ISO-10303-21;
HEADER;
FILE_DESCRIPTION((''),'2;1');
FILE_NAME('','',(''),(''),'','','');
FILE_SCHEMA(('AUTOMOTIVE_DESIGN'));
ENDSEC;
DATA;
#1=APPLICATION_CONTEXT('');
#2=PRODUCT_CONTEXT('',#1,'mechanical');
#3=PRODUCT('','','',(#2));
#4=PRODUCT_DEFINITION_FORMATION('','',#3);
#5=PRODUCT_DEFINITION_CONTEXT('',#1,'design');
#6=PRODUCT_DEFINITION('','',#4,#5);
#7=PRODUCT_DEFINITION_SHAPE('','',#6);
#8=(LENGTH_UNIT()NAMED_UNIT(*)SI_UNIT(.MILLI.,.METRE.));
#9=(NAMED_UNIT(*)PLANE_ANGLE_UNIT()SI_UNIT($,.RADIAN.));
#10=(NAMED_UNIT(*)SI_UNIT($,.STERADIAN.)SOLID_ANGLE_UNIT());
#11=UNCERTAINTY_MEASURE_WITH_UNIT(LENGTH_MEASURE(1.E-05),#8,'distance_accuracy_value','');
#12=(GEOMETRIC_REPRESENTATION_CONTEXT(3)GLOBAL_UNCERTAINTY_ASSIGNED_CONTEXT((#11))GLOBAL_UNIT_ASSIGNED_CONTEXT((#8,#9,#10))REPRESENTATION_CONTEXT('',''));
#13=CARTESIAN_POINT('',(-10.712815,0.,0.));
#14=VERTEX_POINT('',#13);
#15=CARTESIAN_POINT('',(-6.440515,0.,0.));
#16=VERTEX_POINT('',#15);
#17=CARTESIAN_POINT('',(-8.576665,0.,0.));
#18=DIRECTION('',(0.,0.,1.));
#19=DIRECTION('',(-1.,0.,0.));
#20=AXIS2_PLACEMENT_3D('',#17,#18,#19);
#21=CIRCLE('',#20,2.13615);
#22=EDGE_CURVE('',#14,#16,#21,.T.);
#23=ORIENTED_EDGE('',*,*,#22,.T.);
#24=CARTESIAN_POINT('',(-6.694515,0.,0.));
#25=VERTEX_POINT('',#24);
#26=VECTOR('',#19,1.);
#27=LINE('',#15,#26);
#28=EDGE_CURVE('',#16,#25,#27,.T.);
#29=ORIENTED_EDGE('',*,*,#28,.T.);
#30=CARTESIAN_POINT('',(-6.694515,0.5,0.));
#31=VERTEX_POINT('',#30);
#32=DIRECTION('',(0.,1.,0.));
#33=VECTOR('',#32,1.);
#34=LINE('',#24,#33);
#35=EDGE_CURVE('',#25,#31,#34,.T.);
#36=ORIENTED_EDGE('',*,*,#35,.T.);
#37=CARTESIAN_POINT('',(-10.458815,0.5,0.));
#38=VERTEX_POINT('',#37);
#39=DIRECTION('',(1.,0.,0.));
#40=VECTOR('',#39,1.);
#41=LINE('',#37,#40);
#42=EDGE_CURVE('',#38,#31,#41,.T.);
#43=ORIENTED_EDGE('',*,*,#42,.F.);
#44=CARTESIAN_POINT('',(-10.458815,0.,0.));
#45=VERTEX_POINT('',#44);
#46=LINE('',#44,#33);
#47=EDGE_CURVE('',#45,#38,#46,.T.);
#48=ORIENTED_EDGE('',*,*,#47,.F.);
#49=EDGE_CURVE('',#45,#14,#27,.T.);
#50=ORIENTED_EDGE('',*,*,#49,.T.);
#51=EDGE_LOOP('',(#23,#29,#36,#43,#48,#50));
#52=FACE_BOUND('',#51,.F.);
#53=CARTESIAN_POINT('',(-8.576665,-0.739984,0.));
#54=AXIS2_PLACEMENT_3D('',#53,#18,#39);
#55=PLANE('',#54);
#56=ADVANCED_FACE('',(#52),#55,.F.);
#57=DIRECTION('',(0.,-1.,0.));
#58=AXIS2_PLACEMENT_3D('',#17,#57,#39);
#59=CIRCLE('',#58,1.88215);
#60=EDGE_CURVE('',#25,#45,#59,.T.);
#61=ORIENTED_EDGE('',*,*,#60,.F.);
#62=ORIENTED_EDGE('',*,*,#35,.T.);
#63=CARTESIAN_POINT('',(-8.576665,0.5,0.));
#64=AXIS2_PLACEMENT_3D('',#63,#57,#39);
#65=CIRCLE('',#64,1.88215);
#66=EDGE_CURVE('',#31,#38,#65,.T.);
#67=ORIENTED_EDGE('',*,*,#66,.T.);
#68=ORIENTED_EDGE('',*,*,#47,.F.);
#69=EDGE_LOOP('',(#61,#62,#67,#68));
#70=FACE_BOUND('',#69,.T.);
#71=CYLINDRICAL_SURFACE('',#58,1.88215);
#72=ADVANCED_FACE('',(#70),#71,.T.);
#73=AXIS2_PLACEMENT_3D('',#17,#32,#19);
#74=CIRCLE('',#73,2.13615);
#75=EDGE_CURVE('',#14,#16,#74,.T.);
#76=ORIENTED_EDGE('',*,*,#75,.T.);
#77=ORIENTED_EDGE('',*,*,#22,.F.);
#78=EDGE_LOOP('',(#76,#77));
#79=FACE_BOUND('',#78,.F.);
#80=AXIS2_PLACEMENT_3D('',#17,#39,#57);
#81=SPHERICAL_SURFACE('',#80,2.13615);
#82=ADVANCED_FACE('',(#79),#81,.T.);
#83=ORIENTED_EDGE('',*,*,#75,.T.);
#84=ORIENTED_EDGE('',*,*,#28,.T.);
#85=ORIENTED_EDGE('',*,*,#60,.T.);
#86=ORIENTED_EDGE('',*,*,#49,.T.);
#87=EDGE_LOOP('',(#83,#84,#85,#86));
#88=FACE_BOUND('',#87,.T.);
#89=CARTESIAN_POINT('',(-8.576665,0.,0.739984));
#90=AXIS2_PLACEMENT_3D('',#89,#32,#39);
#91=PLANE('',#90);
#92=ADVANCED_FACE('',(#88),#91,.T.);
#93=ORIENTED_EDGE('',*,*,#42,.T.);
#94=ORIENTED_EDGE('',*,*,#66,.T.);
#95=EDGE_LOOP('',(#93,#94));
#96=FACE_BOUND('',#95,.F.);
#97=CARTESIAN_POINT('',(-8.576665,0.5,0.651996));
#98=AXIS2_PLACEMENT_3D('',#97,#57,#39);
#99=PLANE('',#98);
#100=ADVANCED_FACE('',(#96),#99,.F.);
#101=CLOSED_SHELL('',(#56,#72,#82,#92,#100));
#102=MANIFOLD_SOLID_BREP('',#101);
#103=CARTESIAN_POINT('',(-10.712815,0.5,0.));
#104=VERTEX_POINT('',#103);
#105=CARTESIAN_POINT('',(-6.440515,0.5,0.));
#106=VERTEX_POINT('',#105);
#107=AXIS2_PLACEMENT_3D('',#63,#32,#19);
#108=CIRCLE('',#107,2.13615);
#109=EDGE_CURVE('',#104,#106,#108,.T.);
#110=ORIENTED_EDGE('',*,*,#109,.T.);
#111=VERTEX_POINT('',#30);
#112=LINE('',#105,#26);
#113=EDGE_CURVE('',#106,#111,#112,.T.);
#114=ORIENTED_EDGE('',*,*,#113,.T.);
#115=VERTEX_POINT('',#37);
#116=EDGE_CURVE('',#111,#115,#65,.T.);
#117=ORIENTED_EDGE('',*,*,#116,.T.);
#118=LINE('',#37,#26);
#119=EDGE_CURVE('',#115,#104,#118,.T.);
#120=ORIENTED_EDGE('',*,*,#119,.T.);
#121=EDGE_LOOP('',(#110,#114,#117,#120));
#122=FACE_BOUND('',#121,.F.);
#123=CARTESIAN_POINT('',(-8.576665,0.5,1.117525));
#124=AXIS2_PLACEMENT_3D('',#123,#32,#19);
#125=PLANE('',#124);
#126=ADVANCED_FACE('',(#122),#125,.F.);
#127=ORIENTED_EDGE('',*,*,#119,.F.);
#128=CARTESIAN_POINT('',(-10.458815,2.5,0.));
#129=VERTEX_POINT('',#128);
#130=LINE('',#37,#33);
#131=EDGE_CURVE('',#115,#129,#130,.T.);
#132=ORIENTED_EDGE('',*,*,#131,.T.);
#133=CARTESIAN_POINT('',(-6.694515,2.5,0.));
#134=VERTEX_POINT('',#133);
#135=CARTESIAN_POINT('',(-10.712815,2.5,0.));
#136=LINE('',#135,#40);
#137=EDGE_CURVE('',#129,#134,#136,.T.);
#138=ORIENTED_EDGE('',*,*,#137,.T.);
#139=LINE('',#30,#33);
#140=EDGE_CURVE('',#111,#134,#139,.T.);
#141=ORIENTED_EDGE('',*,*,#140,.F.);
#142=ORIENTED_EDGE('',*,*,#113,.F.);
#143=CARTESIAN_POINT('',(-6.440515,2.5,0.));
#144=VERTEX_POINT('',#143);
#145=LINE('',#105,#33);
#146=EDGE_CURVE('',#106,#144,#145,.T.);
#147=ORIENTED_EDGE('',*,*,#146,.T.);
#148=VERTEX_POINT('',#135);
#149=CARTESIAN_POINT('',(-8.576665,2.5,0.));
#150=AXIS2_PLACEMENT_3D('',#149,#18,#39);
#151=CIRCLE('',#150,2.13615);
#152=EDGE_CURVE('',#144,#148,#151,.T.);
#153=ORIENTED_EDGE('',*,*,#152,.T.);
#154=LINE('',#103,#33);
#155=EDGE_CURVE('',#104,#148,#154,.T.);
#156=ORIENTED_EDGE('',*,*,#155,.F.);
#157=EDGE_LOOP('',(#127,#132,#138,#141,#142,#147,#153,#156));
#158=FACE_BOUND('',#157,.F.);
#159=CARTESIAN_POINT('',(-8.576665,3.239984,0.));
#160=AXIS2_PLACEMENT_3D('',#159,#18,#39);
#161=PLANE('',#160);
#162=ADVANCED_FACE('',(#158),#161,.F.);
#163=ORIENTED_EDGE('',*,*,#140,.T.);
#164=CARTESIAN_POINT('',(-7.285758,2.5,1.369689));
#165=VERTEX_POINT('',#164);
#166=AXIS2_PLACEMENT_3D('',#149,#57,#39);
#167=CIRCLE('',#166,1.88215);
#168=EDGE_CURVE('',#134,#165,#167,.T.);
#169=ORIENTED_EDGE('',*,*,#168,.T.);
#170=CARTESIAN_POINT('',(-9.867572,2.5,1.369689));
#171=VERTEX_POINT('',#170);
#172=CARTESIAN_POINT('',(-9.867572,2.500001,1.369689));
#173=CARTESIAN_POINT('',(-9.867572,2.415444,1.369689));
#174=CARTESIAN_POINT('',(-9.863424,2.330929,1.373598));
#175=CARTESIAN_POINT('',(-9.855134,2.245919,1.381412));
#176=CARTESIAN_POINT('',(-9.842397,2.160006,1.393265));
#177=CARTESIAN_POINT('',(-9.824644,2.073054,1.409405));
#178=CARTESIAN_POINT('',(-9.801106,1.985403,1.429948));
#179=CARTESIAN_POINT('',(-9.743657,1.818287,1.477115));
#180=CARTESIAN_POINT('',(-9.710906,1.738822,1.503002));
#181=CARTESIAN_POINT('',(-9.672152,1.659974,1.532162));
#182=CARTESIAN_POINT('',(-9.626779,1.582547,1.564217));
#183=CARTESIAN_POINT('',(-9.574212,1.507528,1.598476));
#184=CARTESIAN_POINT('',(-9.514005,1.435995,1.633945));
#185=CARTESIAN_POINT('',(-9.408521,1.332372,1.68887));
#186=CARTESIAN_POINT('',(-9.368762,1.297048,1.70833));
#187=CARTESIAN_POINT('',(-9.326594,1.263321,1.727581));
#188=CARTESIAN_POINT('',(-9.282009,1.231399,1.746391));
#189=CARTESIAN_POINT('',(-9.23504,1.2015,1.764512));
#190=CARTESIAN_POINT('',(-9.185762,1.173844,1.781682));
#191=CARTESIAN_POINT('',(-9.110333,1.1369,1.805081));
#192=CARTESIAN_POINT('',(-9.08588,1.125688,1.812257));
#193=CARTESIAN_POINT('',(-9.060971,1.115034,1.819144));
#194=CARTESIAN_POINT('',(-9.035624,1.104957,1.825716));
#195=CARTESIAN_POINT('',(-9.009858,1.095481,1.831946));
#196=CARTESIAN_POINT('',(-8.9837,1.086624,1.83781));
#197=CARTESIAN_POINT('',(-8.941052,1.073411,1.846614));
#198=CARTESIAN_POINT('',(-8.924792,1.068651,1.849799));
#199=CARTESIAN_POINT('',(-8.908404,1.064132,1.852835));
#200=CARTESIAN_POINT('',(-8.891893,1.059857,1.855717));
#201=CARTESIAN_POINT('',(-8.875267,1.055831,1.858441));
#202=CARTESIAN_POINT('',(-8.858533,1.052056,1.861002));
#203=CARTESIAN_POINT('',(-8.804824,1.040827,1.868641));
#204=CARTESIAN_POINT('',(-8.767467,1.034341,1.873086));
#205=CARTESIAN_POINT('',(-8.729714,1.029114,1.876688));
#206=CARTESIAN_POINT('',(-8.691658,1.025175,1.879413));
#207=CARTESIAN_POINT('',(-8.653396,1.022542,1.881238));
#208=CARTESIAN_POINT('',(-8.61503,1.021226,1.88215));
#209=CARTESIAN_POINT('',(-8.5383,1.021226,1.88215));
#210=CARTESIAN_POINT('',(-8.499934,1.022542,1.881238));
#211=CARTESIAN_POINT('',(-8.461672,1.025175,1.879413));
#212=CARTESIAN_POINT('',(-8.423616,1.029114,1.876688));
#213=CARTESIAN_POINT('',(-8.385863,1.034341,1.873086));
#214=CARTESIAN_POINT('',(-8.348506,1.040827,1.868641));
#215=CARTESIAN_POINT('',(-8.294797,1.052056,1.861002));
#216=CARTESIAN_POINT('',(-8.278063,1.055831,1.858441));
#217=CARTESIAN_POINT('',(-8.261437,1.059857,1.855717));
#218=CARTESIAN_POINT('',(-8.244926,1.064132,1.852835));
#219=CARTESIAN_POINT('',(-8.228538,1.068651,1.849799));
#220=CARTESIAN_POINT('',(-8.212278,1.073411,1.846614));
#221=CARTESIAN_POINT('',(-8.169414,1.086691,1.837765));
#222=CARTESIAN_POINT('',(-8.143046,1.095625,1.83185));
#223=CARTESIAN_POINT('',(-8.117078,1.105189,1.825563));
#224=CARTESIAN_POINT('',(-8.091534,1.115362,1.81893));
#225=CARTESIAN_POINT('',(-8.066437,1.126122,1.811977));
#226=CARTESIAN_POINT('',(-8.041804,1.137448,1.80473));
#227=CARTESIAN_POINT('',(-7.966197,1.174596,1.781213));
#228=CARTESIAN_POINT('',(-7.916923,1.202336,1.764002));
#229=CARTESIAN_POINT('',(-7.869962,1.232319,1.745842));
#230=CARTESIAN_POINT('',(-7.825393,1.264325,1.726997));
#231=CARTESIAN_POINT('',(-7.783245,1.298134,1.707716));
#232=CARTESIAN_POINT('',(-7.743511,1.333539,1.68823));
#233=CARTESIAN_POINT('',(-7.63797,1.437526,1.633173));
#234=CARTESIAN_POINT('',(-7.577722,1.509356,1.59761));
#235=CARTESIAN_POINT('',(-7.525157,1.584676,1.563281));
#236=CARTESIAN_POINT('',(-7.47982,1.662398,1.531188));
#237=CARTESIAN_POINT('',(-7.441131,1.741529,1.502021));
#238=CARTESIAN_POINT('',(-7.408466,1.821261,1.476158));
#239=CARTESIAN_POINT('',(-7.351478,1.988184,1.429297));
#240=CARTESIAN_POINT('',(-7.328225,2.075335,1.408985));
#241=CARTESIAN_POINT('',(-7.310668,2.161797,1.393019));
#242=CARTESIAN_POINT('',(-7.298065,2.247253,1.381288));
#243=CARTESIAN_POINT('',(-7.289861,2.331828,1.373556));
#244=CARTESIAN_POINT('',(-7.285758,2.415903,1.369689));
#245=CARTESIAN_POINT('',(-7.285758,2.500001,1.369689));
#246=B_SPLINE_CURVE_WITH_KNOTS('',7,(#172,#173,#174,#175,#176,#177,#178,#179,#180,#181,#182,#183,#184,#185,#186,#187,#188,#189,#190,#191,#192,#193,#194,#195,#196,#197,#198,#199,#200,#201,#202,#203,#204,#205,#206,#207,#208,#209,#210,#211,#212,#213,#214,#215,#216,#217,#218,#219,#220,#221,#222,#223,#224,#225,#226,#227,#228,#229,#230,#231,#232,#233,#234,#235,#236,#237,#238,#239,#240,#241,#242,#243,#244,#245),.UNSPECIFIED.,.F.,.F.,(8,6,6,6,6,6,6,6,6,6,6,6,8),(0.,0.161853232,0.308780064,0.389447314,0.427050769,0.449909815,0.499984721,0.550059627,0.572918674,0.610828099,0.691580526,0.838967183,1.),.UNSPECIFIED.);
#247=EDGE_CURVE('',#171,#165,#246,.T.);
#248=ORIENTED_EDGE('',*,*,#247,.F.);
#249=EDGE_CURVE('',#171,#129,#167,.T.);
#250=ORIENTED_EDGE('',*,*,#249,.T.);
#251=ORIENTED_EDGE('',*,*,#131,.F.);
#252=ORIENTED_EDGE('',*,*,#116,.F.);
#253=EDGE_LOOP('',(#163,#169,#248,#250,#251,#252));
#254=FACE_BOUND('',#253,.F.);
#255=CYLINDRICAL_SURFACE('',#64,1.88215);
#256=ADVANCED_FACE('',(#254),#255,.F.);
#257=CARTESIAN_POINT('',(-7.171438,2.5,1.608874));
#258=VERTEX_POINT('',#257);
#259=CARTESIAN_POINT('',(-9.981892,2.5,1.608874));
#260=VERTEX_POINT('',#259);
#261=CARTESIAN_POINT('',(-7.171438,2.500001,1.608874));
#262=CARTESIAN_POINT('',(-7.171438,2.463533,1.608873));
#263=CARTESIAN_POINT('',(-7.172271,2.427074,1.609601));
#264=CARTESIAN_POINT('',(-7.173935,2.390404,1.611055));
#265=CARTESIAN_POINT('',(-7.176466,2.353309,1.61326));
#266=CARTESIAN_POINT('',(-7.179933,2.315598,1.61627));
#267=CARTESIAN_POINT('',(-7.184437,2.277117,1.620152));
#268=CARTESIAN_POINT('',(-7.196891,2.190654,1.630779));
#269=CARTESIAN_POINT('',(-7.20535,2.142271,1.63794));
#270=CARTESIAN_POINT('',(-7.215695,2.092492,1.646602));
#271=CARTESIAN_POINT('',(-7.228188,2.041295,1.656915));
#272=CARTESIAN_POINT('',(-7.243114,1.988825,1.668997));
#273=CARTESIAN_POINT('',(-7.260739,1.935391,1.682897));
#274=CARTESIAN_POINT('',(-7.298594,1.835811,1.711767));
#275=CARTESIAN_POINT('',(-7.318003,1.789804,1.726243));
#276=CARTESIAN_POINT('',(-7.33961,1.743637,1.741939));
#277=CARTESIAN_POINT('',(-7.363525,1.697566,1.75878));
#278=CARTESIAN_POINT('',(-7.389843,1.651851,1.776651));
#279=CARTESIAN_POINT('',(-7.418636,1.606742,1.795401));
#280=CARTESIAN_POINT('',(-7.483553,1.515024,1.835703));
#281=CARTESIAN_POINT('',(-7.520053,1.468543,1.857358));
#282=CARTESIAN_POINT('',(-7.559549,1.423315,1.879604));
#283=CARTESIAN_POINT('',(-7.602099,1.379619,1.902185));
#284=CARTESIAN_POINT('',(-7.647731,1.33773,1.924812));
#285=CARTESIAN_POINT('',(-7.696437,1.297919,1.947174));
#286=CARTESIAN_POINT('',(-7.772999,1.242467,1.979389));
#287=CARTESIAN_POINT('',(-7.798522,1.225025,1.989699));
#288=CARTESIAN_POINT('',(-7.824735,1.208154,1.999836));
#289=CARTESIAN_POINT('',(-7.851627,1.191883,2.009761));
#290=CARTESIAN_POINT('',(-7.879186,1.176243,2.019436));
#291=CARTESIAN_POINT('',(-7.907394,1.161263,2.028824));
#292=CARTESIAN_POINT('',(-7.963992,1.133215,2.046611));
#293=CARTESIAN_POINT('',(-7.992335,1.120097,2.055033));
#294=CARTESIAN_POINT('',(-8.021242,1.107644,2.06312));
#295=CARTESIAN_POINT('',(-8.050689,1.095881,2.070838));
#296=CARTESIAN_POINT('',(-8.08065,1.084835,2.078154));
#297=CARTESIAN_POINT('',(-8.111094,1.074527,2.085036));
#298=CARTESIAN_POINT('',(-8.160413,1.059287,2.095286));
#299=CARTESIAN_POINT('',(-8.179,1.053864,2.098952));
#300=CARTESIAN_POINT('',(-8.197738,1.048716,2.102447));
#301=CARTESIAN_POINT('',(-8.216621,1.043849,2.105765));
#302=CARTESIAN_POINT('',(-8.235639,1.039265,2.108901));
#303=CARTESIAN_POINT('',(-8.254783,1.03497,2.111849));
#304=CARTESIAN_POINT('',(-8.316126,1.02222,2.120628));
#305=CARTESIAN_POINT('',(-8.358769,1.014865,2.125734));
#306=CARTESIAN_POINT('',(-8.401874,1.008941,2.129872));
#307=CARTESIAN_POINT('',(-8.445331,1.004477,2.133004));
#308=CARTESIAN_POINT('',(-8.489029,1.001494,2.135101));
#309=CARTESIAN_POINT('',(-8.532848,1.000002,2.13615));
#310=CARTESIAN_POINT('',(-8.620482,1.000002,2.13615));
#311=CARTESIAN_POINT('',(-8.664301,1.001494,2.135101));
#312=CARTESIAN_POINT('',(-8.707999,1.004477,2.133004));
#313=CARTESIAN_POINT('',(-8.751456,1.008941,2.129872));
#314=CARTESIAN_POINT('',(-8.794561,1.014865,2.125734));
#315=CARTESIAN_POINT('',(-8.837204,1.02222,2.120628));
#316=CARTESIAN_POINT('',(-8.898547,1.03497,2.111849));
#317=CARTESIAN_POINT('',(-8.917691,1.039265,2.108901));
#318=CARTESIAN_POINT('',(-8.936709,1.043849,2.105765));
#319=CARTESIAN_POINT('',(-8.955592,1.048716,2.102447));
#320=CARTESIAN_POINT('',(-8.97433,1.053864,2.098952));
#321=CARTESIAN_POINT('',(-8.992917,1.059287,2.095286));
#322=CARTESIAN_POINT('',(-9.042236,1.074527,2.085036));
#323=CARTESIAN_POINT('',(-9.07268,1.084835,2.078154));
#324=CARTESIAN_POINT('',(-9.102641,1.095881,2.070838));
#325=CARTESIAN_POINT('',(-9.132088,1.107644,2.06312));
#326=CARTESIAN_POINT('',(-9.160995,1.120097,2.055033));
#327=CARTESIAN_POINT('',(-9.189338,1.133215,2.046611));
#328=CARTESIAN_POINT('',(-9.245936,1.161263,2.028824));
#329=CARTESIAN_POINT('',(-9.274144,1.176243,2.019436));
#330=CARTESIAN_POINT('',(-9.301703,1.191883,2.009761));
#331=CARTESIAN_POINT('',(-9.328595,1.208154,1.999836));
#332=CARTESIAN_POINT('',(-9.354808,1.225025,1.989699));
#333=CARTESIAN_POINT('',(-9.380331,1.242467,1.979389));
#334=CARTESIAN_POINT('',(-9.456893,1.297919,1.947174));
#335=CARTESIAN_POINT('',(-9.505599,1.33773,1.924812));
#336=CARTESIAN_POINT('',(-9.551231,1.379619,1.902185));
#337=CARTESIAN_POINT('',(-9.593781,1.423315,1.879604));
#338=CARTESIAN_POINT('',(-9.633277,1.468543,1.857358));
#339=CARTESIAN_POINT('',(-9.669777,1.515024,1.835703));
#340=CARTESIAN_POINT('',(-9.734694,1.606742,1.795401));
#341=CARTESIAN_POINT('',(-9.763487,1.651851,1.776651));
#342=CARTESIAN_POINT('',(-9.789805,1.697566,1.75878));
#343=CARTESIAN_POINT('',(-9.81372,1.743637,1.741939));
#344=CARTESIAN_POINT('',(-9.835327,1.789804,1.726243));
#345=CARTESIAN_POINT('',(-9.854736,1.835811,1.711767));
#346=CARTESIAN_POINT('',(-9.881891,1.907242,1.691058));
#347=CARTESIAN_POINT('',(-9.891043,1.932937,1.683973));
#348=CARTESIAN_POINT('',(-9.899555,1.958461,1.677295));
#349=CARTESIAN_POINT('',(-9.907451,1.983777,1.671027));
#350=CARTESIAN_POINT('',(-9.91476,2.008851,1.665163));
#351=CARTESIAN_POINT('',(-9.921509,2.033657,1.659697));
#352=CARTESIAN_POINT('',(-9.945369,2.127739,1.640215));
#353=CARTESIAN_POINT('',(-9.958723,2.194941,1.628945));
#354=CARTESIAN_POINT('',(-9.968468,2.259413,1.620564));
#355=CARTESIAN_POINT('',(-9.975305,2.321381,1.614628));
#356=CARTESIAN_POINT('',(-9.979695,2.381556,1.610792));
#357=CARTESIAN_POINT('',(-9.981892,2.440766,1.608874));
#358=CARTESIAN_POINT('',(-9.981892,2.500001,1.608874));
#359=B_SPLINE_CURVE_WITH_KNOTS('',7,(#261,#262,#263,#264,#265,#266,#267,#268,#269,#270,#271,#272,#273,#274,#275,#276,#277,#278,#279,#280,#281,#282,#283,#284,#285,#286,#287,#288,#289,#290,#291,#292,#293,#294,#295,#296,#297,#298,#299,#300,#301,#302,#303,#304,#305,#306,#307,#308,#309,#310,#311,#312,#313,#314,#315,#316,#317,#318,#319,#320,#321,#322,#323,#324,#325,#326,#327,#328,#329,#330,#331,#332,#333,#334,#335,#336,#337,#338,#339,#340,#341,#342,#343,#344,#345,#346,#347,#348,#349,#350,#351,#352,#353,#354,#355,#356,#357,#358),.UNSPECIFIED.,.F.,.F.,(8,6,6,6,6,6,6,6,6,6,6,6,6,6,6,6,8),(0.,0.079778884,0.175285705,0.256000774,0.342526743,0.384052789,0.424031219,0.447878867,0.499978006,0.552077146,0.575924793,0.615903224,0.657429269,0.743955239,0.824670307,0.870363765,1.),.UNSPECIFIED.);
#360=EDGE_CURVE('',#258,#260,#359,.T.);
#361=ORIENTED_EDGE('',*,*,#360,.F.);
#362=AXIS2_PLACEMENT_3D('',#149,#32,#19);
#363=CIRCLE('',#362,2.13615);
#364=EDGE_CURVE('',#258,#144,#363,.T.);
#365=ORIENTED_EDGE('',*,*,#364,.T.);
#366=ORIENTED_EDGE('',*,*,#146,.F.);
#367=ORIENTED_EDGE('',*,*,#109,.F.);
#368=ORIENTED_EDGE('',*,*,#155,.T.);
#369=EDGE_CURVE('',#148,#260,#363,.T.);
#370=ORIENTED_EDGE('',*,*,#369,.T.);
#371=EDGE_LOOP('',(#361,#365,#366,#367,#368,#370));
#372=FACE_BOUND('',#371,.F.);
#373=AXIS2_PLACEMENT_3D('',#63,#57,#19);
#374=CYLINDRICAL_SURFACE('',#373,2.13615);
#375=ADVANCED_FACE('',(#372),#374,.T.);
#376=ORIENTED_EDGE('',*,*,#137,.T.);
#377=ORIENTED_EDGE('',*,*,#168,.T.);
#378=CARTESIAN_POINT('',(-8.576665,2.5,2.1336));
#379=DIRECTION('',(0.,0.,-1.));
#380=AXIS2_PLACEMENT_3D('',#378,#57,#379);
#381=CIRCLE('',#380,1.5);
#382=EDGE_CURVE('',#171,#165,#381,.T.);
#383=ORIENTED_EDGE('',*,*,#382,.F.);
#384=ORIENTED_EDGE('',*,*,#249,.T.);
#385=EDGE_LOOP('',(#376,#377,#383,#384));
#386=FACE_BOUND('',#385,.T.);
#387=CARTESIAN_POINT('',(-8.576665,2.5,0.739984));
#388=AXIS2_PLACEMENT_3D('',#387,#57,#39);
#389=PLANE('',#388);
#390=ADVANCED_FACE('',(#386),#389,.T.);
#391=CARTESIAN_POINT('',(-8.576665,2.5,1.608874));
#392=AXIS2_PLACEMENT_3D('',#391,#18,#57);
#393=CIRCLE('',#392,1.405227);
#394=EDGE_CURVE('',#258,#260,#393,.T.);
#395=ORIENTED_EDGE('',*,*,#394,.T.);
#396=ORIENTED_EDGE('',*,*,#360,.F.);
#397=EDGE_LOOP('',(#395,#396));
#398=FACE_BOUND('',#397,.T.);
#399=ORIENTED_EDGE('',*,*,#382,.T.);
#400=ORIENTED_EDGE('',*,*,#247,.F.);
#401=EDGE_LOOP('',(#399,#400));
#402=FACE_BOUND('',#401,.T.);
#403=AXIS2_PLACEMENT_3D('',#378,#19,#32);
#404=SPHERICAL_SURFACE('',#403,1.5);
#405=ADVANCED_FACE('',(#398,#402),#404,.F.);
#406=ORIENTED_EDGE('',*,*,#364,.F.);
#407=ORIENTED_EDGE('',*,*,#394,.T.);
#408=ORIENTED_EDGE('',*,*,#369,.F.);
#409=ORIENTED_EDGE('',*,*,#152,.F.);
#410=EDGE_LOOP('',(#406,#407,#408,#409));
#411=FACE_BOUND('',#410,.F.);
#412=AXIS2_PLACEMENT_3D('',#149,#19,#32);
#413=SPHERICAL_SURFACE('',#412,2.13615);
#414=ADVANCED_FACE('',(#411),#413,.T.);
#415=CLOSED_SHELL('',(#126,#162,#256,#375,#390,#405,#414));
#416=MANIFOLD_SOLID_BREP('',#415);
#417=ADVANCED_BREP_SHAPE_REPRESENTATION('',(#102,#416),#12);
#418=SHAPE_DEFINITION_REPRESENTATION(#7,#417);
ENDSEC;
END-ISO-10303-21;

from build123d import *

# Parameters (mm, degrees)
F2_ANGLE = -90
F3_DEPTH = 0.5
F5_DEPTH = 2
F7_ANGLE = 90


with BuildPart() as f2:
    # F1 (on Top) → F2 (revolve)
    with BuildSketch(Plane.XY):
        with BuildLine():
            Line((-6.440515, 0), (-10.712815, 0))
            ThreePointArc((-10.712815, 0), (-8.576665, -2.13615), (-6.440515, 0))
        make_face()
    revolve(axis=Axis((-8.576665, 0, 0), (1, 0, 0)), revolution_arc=F2_ANGLE)

    # F0 (on Front) → F3 (join)
    with BuildSketch(Plane.XZ):
        with BuildLine():
            Line((-10.458815, 0), (-6.694515, 0))
            ThreePointArc((-6.694515, 0), (-8.576665, 1.88215), (-10.458815, 0))
        make_face()
    extrude(amount=-F3_DEPTH)


with BuildPart() as f5:
    # F4 (on face) → F5 (new body)
    with BuildSketch(Plane(origin=(0, 0.5, 0), x_dir=(-1, 0, 0), z_dir=(0, 1, 0))):
        with BuildLine():
            Line((10.458815, 0), (10.712815, 0))
            ThreePointArc((10.712815, 0), (8.576665, 2.13615), (6.440515, 0))
            Line((6.440515, 0), (6.694515, 0))
            ThreePointArc((6.694515, 0), (8.576665, 1.88215), (10.458815, 0))
        make_face()
    extrude(amount=F5_DEPTH)

    # F6 (on Top) → F7 (revolve)
    with BuildSketch(Plane.XY):
        with BuildLine():
            Line((-10.712815, 2.5), (-6.440515, 2.5))
            ThreePointArc((-6.440515, 2.5), (-8.576665, 4.63615), (-10.712815, 2.5))
        make_face()
    revolve(axis=Axis((-8.576665, 2.5, 0), (1, 0, 0)), revolution_arc=F7_ANGLE)

    # F9 (on offset) → F10 (revolve, cut)
    with BuildSketch(Plane.XY.offset(2.1336)):
        with BuildLine():
            ThreePointArc((-7.076665, 2.5), (-8.576665, 4), (-10.076665, 2.5))
            Line((-10.076665, 2.5), (-7.076665, 2.5))
        make_face()
    revolve(axis=Axis((-8.576665, 2.5, 2.1336), (1, 0, 0)), mode=Mode.SUBTRACT)


solid = Compound([f2.part, f5.part])
